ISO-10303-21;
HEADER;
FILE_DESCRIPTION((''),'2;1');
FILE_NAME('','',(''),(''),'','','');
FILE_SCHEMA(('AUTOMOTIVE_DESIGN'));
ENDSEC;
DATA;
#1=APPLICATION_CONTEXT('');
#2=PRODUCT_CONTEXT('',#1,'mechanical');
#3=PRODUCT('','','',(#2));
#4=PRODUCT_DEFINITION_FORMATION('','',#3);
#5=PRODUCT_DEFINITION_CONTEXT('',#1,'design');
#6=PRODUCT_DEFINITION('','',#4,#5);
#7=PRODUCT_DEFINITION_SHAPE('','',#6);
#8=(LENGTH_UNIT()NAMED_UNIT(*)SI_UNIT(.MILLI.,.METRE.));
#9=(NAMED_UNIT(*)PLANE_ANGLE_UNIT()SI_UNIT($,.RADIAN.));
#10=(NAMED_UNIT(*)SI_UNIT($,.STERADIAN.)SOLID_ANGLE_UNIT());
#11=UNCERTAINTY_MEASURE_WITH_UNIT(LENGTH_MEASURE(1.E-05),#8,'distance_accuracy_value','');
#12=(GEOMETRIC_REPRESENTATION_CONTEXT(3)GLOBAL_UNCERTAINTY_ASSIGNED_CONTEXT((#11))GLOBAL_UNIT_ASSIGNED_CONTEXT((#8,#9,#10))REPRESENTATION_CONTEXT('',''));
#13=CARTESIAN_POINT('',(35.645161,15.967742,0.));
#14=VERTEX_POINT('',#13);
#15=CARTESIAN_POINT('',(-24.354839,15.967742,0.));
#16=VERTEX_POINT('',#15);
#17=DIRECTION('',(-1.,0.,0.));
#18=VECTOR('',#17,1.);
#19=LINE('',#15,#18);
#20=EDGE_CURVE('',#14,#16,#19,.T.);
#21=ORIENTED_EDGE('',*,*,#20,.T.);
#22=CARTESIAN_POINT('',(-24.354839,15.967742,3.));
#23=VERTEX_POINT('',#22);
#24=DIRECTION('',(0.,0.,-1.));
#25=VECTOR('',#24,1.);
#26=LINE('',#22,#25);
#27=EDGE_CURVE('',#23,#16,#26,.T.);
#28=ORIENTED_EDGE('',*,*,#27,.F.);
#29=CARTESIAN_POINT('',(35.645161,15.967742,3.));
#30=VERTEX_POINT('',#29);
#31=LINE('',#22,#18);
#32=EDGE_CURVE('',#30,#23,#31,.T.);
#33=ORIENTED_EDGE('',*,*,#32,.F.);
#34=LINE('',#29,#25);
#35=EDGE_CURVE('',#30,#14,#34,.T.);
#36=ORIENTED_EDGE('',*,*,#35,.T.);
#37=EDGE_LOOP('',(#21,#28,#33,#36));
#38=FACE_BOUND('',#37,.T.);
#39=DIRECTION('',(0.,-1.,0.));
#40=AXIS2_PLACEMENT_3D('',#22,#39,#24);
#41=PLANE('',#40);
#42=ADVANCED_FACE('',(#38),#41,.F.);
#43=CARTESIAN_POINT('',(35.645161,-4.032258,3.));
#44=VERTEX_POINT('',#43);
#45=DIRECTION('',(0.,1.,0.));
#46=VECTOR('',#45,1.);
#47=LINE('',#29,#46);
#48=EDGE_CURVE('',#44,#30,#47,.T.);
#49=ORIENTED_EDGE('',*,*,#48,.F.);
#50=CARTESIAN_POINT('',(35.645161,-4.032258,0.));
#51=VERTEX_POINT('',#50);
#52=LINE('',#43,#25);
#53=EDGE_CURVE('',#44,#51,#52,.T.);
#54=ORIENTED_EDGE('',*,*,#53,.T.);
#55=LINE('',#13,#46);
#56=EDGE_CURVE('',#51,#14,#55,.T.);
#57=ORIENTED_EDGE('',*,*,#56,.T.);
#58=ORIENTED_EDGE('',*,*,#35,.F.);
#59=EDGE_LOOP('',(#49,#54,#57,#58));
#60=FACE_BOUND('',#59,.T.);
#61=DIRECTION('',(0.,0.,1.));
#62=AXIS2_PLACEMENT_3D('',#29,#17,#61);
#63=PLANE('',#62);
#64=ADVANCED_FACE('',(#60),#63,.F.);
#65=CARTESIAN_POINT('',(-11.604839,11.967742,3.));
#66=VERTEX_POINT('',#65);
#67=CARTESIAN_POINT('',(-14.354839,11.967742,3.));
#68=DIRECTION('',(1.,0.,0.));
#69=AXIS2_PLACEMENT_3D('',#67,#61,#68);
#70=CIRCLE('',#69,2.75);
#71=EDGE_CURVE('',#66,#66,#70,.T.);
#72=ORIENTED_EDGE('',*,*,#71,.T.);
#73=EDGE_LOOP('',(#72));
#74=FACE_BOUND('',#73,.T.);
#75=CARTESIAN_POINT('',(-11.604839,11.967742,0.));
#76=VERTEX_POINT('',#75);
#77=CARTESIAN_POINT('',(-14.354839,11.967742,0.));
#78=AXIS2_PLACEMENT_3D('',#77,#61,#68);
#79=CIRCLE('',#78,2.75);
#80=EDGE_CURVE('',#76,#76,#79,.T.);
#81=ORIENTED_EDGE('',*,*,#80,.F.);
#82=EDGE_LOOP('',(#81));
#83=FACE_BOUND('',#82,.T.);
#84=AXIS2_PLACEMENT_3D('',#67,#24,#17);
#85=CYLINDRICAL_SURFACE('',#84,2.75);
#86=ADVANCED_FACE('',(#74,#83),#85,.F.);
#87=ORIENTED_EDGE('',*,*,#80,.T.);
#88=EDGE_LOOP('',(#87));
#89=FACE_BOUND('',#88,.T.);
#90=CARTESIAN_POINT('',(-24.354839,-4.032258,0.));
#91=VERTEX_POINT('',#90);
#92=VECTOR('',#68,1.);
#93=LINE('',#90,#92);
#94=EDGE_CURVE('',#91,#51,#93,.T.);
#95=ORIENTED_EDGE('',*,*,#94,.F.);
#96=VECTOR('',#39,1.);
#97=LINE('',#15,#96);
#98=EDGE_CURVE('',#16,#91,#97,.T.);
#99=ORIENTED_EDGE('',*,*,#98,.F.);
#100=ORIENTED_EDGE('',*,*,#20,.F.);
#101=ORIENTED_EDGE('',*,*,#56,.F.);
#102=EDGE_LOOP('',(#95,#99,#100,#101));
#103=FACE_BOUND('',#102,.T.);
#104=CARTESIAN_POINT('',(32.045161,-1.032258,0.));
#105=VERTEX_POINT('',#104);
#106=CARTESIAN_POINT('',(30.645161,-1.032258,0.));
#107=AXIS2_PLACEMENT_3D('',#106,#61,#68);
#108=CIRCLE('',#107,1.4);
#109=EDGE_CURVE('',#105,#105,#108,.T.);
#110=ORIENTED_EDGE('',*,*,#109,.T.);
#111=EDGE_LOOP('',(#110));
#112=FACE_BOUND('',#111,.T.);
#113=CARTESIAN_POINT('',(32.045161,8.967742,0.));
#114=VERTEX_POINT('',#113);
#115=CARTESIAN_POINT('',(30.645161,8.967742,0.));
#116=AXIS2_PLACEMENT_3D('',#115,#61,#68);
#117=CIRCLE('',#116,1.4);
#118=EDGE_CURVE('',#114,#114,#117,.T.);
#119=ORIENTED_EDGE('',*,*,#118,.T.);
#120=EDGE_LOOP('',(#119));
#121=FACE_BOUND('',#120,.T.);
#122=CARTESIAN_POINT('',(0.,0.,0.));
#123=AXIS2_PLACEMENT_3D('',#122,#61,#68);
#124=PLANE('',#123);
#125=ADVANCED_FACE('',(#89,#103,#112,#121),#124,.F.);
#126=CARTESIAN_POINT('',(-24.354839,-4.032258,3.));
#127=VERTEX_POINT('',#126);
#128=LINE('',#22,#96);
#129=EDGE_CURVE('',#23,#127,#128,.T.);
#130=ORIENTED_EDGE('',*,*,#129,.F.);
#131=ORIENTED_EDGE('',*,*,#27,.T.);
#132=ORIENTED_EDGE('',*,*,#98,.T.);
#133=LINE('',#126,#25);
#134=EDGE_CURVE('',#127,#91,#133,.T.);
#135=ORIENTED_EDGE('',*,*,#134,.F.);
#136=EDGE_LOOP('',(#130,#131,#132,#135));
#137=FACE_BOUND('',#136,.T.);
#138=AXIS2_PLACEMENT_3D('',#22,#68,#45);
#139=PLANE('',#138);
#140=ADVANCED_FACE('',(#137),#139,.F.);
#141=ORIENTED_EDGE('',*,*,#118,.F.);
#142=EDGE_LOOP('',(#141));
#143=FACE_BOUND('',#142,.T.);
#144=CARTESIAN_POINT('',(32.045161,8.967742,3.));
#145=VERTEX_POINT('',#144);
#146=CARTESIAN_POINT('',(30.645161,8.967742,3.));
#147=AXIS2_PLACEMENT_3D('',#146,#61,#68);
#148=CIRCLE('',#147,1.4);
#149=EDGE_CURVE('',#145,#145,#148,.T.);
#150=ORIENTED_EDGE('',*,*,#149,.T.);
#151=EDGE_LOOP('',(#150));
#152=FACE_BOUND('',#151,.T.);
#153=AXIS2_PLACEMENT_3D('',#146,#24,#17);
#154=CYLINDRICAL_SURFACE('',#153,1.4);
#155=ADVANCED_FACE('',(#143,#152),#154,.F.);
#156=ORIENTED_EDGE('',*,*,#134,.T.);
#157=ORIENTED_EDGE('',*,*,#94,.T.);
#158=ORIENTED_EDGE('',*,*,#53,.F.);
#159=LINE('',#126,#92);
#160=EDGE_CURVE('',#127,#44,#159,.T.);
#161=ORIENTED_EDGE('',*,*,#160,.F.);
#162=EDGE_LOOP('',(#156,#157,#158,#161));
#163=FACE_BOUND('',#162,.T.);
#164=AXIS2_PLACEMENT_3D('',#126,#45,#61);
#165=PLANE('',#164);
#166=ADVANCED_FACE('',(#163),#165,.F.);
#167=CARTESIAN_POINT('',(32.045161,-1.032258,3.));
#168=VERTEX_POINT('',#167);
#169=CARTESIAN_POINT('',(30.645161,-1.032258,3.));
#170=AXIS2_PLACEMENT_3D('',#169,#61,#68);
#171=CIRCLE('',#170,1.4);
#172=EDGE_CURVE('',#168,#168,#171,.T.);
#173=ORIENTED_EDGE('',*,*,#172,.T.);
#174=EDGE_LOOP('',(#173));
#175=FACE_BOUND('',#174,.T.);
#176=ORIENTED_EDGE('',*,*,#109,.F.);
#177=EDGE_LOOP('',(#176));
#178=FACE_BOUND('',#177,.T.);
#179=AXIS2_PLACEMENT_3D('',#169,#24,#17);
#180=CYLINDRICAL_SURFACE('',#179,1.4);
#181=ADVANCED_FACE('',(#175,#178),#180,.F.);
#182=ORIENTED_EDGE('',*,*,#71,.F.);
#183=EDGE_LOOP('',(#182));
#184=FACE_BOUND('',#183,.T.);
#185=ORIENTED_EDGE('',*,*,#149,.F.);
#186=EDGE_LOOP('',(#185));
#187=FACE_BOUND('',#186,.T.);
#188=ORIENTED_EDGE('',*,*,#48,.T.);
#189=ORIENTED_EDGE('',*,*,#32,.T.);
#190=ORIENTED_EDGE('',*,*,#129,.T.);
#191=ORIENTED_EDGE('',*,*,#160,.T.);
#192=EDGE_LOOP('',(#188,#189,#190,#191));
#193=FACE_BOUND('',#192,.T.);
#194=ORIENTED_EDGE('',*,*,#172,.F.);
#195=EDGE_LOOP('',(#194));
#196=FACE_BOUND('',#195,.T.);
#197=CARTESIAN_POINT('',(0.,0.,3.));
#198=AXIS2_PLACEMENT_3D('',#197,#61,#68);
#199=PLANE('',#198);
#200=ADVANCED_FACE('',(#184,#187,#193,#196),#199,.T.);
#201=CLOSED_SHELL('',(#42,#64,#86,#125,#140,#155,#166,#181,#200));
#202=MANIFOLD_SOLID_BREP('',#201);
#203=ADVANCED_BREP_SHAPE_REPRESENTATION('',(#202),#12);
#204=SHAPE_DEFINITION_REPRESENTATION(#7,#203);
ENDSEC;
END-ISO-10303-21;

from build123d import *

# Parameters (mm, degrees)
SKETCH1_W           = 60
SKETCH1_H           = 20
SKETCH1_R           = 2.75
SKETCH1_R_2         = 1.4
BOSS_EXTRUDE1_DEPTH = 3


with BuildPart() as part:
    # Sketch1 → Boss-Extrude1 (new body)
    with BuildSketch(Plane.XY):
        with Locations((5.64516129, 5.967741935)):
            Rectangle(SKETCH1_W, SKETCH1_H)
        with Locations((-14.35483871, 11.967741935)):
            Circle(SKETCH1_R, mode=Mode.SUBTRACT)
        with Locations((30.64516129, 8.967741935)):
            Circle(SKETCH1_R_2, mode=Mode.SUBTRACT)
        with Locations((30.64516129, -1.032258065)):
            Circle(SKETCH1_R_2, mode=Mode.SUBTRACT)
    extrude(amount=BOSS_EXTRUDE1_DEPTH)


solid = part.part
